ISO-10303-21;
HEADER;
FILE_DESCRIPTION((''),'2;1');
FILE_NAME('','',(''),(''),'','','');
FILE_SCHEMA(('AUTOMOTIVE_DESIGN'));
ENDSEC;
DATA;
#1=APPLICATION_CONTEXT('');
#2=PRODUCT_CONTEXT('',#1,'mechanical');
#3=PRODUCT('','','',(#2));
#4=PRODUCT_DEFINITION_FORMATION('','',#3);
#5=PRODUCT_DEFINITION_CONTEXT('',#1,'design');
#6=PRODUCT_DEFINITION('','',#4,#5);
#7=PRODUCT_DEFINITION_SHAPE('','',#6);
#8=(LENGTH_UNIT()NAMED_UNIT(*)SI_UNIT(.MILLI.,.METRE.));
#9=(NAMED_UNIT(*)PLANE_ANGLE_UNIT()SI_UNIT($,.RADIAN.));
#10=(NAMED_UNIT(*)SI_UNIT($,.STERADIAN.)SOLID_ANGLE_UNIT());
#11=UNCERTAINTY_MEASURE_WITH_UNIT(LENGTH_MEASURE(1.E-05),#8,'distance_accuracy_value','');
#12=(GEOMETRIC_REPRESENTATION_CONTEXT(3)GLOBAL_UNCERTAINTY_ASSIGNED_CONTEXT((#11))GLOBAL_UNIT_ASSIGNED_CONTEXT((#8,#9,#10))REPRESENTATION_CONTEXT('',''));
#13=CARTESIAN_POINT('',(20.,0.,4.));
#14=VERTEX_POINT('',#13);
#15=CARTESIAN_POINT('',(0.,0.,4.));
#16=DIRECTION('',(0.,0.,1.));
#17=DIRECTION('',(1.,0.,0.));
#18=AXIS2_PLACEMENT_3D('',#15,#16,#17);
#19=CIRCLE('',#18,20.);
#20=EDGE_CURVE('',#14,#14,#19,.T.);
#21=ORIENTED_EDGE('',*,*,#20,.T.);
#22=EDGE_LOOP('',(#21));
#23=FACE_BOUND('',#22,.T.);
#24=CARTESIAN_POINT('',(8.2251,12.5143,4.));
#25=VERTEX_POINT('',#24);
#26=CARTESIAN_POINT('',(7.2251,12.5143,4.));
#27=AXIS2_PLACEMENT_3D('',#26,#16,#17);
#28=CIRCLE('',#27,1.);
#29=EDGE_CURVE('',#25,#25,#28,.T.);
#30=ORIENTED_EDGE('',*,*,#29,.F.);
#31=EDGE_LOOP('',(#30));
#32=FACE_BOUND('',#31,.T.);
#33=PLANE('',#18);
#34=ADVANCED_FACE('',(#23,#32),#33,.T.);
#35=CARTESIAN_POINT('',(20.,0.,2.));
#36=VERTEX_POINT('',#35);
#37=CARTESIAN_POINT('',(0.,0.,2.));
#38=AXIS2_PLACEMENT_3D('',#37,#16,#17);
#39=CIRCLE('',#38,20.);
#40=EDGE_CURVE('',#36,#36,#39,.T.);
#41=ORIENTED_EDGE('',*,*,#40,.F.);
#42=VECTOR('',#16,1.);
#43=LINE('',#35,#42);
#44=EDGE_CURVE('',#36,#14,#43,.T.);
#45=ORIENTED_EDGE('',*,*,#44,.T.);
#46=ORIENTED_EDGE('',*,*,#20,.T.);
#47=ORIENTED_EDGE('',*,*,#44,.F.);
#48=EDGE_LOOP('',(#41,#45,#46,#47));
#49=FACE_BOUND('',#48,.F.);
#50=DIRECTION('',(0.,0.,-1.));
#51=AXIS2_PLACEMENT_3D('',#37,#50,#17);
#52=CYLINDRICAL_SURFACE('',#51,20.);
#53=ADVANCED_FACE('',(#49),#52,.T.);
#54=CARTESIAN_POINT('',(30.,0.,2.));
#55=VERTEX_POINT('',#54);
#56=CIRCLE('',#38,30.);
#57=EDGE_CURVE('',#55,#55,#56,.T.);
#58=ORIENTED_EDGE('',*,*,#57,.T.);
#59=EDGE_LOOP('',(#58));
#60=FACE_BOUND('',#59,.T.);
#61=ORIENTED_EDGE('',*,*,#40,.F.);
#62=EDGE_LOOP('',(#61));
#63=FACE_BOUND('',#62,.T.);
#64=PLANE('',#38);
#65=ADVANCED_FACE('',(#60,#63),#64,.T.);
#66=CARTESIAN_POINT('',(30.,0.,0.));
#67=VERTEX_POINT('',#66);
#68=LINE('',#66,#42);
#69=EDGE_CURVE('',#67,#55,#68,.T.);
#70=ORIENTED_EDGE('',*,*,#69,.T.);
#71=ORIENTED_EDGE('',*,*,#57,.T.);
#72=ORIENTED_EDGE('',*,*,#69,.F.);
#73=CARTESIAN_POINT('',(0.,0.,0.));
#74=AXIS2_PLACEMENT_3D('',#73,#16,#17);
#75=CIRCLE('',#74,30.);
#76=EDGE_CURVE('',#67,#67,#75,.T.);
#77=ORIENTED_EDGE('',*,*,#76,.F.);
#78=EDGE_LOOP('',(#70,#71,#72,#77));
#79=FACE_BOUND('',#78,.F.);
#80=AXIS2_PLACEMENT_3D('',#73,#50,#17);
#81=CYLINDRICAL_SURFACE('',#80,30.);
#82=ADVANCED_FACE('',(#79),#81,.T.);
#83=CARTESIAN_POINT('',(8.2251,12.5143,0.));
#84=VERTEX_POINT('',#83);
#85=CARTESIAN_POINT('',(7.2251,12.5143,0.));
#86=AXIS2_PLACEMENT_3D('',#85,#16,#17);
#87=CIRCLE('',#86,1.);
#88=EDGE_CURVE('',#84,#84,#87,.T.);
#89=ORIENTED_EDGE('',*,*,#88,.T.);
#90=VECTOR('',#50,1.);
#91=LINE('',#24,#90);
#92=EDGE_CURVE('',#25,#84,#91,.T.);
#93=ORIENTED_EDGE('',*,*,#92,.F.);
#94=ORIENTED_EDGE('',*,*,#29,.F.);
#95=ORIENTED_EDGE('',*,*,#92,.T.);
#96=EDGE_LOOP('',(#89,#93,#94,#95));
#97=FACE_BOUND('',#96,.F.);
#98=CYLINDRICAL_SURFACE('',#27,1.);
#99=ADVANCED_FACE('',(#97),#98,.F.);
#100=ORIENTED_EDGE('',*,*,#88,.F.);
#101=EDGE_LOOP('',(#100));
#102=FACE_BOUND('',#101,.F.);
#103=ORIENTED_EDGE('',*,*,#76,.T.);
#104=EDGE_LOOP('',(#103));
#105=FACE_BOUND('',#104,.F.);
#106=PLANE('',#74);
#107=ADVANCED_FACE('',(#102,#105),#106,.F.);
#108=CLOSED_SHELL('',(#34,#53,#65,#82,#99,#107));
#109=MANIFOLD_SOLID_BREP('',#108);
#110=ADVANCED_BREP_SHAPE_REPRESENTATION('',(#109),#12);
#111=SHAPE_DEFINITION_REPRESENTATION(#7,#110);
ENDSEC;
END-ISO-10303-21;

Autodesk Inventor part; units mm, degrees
ref_plane "YZ Plane" through (0, 0, 0) normal (1, 0, 0) x (0, 1, 0)
ref_plane "XZ Plane" through (0, 0, 0) normal (0, 1, 0) x (-1, 0, 0)
ref_plane "XY Plane" through (0, 0, 0) normal (0, 0, 1) x (1, 0, 0)
sketch "Эскиз1" plane through (0, 0, 0) normal (0, 0, 1) x (1, 0, 0)
  circle A0 centre (0, 0) radius 30
  dimension "d0" = 60
extrude "Выдавливание1" add sketch "Эскиз1" along normal blind 2
sketch "Эскиз2" plane through (0, 0, 2) normal (0, 0, 1) x (1, 0, 0)
  circle A0 centre (0, 0) radius 20
  dimension "d3" = 40
extrude "Выдавливание2" add sketch "Эскиз2" along normal blind 2
sketch "Эскиз3" plane through (0, 0, 4) normal (0, 0, 1) x (1, 0, 0)
  circle A0 centre (7.2251, 12.5143) radius 1
  line L0 (-42, 0) -> (42, 0) projected
  line L1 (0, -42) -> (0, 42) projected
  line L2 (0, 0) -> (7.2251, 12.5143)
  dimension "d6" = 2
  dimension "d10" = 30
extrude "Выдавливание3" cut sketch "Эскиз3" against normal through all
properties part number "Для регулировки 4" material "Сталь, высокопрочная, низколегированная"
